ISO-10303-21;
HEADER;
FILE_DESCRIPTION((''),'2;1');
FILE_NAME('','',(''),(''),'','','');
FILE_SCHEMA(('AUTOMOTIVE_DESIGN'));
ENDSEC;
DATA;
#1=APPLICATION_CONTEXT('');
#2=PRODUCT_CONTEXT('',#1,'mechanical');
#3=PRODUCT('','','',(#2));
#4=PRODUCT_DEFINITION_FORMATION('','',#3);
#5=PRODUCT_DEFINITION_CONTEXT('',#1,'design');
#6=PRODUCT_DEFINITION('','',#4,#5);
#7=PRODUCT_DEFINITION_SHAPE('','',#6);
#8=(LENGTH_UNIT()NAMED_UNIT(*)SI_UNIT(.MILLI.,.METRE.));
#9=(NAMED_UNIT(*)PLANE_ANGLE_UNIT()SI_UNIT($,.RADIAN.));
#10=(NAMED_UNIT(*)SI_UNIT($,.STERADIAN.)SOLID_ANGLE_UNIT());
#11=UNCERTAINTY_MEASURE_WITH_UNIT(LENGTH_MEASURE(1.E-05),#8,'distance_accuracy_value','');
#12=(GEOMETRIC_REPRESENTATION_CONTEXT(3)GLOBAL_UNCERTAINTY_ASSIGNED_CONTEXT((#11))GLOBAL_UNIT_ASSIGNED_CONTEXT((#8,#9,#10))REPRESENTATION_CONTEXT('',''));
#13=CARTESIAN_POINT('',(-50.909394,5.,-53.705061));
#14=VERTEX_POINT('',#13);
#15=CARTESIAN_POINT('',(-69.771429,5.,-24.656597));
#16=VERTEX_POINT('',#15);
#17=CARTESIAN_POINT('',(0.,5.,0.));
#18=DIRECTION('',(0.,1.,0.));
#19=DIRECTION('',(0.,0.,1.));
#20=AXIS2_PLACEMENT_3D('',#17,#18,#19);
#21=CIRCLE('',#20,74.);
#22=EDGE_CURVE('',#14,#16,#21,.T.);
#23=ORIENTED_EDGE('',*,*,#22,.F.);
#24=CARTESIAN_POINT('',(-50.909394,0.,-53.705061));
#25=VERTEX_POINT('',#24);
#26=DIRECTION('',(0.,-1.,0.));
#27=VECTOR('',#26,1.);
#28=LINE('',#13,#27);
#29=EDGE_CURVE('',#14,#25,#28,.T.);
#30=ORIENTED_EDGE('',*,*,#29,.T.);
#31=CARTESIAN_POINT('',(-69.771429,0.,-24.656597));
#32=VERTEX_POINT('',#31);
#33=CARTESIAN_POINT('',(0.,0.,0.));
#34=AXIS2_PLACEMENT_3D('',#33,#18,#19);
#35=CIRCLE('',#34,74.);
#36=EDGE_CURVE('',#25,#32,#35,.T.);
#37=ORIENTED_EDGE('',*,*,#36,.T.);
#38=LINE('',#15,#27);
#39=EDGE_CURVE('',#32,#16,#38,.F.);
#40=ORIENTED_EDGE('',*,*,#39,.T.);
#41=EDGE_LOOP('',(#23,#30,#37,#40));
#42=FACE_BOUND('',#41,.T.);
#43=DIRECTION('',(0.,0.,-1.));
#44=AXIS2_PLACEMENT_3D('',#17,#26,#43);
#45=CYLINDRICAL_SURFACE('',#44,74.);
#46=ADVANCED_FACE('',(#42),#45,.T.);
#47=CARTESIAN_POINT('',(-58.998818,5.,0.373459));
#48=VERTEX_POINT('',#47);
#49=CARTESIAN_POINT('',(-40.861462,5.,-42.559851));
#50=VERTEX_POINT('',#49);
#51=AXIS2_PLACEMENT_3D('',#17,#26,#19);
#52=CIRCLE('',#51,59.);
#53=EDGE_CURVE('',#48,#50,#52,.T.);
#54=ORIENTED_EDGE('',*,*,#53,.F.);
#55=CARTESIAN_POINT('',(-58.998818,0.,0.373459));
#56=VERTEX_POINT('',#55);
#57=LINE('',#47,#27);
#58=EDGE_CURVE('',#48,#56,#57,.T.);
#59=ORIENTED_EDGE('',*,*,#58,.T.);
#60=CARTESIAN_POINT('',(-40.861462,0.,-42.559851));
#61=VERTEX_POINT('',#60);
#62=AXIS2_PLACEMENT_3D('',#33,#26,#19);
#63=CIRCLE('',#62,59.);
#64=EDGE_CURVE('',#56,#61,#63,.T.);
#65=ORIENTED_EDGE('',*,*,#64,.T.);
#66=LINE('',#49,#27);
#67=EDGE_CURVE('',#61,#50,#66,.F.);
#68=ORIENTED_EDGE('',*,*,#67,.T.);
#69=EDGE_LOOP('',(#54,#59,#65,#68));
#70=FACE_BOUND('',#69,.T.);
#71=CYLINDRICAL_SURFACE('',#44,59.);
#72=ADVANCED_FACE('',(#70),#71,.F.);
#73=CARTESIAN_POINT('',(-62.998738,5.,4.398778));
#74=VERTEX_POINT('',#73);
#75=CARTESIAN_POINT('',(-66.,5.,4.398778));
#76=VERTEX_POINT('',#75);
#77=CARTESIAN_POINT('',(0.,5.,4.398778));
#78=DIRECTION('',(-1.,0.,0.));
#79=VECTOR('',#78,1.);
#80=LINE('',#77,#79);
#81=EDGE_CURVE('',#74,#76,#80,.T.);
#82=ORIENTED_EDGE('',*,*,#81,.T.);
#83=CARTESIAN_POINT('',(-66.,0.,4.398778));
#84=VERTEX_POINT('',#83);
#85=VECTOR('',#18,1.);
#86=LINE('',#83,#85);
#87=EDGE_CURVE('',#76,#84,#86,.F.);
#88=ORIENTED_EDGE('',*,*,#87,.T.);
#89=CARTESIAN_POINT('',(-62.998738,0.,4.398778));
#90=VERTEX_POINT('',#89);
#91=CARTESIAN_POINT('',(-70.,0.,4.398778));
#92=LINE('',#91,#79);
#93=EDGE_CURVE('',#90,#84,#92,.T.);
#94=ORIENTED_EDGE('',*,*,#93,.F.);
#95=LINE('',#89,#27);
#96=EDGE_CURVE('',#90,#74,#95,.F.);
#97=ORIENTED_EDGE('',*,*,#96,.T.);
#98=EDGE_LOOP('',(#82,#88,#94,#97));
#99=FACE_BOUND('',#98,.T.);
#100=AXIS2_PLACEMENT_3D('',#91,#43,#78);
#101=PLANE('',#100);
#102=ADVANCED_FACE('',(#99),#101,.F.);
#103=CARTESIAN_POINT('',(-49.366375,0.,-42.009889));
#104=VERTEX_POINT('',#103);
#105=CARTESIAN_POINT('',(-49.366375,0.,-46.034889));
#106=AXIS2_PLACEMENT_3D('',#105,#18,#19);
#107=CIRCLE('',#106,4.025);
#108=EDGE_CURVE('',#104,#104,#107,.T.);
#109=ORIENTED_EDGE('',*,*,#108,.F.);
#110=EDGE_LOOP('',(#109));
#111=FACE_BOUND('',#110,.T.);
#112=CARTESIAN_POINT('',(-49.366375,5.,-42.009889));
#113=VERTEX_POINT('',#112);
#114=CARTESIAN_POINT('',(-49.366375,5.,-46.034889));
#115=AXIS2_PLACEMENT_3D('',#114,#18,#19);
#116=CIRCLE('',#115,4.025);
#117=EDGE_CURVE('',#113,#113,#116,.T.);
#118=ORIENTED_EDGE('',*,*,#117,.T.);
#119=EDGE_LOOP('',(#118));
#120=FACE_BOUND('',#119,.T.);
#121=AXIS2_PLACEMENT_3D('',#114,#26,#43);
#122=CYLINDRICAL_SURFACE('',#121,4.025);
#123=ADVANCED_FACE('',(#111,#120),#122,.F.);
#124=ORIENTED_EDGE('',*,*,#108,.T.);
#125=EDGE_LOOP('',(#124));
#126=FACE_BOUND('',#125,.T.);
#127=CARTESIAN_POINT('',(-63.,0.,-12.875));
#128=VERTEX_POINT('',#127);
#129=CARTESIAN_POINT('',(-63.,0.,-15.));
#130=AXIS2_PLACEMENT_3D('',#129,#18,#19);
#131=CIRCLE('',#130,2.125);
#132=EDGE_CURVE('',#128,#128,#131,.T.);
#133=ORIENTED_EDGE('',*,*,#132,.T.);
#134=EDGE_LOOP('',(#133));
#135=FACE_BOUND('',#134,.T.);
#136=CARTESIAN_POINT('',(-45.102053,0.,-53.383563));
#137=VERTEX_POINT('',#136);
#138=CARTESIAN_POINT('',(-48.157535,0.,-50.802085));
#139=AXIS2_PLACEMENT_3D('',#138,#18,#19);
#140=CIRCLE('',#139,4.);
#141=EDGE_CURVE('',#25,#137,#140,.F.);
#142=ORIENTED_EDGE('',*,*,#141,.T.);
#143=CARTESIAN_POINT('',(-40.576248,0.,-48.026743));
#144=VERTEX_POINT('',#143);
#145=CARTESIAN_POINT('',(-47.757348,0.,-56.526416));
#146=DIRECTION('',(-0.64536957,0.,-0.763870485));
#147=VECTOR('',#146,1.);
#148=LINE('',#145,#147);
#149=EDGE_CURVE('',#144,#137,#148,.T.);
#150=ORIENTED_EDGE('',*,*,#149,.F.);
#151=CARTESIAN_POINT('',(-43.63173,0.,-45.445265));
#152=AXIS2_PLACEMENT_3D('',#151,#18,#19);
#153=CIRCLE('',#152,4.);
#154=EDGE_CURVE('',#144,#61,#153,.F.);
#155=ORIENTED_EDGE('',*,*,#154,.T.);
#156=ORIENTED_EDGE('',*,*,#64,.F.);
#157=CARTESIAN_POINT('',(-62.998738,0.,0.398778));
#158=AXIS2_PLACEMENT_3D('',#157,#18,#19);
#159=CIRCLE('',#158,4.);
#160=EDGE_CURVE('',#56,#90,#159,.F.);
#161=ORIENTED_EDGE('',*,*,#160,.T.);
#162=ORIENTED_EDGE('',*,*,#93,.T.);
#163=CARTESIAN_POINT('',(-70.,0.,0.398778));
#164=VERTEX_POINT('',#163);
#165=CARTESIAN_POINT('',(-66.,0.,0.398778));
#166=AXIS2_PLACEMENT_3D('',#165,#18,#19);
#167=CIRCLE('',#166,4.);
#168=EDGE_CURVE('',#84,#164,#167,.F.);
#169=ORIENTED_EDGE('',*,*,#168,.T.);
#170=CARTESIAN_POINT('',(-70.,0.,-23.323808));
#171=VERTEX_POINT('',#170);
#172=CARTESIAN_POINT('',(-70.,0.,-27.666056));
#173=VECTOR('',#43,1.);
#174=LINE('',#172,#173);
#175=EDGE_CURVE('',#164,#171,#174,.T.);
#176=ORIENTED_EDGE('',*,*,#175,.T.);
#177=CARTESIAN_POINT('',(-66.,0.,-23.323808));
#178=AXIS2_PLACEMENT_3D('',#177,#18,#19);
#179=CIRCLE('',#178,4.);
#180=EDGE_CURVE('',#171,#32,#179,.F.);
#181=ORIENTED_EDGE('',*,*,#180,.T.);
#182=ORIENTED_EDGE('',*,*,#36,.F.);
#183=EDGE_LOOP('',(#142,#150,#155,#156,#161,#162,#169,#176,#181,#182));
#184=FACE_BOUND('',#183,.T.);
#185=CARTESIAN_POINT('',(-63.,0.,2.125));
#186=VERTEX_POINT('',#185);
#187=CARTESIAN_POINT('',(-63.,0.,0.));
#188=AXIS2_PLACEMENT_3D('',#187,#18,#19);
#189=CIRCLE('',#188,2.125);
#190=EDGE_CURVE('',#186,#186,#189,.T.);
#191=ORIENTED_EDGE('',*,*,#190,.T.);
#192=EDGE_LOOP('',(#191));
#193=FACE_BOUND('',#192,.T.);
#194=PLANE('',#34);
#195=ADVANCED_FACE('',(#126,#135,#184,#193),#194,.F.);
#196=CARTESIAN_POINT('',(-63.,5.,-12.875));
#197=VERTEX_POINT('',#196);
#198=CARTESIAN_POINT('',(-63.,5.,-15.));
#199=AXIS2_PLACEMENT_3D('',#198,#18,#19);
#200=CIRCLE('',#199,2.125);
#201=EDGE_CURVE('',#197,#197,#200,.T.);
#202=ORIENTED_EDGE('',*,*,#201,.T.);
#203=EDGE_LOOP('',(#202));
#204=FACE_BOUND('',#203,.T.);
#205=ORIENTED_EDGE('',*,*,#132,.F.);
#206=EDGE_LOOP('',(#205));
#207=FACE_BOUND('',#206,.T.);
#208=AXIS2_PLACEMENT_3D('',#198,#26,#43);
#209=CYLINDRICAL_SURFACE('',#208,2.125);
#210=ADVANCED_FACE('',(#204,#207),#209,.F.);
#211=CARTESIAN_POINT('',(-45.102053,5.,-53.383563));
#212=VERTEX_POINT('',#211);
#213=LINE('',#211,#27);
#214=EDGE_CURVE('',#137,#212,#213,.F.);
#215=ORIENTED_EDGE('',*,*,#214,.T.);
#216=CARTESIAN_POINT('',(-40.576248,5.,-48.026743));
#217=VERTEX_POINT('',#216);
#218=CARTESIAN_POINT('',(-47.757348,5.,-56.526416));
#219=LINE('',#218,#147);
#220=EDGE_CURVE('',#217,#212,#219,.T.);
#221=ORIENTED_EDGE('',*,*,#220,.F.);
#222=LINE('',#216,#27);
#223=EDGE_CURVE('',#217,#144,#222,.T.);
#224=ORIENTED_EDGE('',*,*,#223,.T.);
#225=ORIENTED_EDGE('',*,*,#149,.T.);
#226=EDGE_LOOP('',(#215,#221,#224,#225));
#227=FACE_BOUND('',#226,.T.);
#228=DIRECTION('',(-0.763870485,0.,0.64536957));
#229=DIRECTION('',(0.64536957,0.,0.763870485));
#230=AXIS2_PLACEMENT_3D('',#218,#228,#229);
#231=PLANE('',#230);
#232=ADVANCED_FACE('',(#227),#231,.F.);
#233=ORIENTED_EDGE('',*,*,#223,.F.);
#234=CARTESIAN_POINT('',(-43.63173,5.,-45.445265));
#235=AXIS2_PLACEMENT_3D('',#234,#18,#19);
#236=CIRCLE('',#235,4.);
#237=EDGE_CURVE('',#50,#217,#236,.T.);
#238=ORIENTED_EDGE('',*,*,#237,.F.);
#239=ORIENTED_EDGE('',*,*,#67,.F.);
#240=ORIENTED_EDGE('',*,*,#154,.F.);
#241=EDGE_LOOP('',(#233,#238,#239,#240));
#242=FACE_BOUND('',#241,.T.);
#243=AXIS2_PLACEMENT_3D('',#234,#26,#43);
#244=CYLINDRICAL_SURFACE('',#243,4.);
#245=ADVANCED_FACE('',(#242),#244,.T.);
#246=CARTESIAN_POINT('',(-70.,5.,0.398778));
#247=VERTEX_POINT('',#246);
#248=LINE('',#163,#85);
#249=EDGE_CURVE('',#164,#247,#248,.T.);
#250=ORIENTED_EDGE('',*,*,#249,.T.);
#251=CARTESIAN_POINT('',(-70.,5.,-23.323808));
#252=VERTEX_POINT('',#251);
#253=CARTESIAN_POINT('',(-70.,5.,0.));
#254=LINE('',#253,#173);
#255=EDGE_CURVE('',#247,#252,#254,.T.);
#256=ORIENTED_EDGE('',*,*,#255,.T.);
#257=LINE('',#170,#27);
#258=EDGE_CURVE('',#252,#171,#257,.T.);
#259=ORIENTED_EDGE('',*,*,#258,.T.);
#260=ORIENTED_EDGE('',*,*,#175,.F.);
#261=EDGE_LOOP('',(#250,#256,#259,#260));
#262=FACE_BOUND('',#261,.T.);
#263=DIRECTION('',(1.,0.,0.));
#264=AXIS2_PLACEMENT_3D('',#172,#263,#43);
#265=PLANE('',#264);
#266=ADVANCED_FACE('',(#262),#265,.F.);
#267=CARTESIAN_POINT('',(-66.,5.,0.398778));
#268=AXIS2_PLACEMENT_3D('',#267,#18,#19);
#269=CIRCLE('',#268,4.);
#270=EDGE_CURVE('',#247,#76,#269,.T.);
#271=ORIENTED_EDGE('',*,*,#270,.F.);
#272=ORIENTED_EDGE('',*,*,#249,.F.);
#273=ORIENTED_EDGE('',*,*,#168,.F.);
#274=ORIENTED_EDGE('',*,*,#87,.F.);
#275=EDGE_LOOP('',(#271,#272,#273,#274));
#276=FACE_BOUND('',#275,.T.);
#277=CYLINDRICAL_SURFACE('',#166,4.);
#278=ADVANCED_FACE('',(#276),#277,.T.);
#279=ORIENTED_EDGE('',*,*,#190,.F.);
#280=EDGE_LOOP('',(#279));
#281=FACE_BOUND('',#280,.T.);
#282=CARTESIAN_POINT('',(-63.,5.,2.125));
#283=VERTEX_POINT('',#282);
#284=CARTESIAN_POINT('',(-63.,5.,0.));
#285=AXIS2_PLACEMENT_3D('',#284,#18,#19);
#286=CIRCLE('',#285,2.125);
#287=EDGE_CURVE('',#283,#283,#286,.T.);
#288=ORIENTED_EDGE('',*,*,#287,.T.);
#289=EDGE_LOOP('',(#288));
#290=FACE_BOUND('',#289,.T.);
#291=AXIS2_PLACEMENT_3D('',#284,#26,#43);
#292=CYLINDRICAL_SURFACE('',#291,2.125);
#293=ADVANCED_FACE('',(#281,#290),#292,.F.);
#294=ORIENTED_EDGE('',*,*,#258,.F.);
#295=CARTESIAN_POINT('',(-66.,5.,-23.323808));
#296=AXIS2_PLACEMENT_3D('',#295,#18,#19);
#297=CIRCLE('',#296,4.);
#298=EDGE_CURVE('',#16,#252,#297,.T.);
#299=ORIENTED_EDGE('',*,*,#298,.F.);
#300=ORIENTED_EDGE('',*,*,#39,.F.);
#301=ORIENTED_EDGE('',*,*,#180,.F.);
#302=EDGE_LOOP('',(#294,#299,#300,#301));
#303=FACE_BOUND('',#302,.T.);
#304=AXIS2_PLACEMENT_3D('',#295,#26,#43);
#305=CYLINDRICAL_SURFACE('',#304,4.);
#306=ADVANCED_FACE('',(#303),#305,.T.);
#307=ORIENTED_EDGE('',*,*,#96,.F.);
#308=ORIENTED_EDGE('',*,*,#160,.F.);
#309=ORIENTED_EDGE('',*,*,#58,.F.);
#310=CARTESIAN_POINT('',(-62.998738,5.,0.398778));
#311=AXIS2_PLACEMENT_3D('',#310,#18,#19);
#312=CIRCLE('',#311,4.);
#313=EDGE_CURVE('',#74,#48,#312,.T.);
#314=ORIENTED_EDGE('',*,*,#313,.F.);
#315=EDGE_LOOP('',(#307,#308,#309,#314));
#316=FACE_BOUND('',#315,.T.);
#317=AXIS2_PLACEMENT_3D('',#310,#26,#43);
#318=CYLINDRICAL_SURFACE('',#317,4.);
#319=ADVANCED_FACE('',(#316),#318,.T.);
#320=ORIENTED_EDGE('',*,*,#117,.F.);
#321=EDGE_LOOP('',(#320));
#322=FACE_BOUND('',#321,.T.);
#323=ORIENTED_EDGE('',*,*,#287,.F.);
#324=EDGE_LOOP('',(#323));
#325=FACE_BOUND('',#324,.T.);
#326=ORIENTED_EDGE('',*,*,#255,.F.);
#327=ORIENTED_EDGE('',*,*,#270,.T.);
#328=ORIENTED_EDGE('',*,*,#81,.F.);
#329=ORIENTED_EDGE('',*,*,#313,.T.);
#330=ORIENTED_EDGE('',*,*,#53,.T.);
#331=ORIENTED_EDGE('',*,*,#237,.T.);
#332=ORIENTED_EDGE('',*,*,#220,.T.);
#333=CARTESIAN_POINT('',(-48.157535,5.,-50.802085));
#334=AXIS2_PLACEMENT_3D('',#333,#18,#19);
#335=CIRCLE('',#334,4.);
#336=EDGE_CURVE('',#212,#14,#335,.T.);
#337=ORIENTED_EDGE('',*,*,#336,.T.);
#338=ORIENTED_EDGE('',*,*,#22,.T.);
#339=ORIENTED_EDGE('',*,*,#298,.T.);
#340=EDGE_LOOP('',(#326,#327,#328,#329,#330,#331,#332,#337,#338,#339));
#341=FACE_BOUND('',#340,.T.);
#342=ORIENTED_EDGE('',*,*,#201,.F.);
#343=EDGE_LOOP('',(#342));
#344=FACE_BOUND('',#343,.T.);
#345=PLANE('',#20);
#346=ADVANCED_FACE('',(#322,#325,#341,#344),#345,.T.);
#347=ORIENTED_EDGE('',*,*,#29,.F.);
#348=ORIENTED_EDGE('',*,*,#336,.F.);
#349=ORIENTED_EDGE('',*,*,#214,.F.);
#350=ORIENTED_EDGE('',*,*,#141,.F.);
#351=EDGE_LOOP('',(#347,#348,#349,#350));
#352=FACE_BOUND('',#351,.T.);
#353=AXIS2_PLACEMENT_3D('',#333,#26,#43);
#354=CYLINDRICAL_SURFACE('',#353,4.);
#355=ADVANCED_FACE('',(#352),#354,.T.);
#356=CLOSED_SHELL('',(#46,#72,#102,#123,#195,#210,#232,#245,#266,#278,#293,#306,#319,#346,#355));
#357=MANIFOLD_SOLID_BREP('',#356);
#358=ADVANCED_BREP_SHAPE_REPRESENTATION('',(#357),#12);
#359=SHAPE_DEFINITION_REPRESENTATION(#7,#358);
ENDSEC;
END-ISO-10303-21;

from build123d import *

# Parameters (mm, degrees)
SKETCH1_R               = 4.025
SKETCH1_R_2             = 2.125
BOSS_EXTRUDE1_DEPTH     = 5
SKETCH2_W               = 28.904595792
SKETCH2_H               = 55.332112
CUT_EXTRUDE1_DEPTH      = 1
CUT_EXTRUDE1_DEPTH_BACK = 6
SKETCH3_W               = 24.207106467
SKETCH3_H               = 21.100530829
CUT_EXTRUDE2_DEPTH      = 1
CUT_EXTRUDE2_DEPTH_BACK = 6
FILLET1_R               = 4


with BuildPart() as part:
    # Sketch1 → Boss-Extrude1 (new body)
    with BuildSketch(Plane(origin=(0, 0, 0), x_dir=(1, 0, 0), z_dir=(0, 1, 0))):
        with BuildLine():
            Line((-47.75734818, 56.526415903), (-38.07680463, 45.068358625))
            ThreePointArc((-38.07680463, 45.068358625), (-56.716415256, 16.255714087), (-56.169167779, -18.056151058))
            Line((-56.169167779, -18.056151058), (-70.449464672, -22.646697938))
            ThreePointArc((-70.449464672, -22.646697938), (-71.135842864, 20.388522754), (-47.75734818, 56.526415903))
        make_face()
        with Locations((-49.366374859, 46.034889304)):
            Circle(SKETCH1_R, mode=Mode.SUBTRACT)
        with Locations((-63, 0)):
            Circle(SKETCH1_R_2, mode=Mode.SUBTRACT)
        with Locations((-63, -15)):
            Circle(SKETCH1_R_2, mode=Mode.SUBTRACT)
        with Locations((-63, 15)):
            Circle(SKETCH1_R_2, mode=Mode.SUBTRACT)
    extrude(amount=BOSS_EXTRUDE1_DEPTH)

    # Sketch2 → Cut-Extrude1 (cut, two sides)
    with BuildSketch(Plane(origin=(0, 5, 0), x_dir=(1, 0, 0), z_dir=(0, 1, 0))) as cut_extrude1_sk:
        with Locations((-84.452297896, 0)):
            Rectangle(SKETCH2_W, SKETCH2_H)
    extrude(amount=CUT_EXTRUDE1_DEPTH, mode=Mode.SUBTRACT)
    extrude(cut_extrude1_sk.sketch, amount=-CUT_EXTRUDE1_DEPTH_BACK, mode=Mode.SUBTRACT)

    # Sketch3 → Cut-Extrude2 (cut, two sides)
    with BuildSketch(Plane(origin=(0, 5, 0), x_dir=(1, 0, 0), z_dir=(0, 1, 0))) as cut_extrude2_sk:
        with Locations((-57.896446767, -14.949043558)):
            Rectangle(SKETCH3_W, SKETCH3_H)
    extrude(amount=CUT_EXTRUDE2_DEPTH, mode=Mode.SUBTRACT)
    extrude(cut_extrude2_sk.sketch, amount=-CUT_EXTRUDE2_DEPTH_BACK, mode=Mode.SUBTRACT)

    # Fillet1
    fillet1_edges = [part.edges().sort_by_distance(p)[0] for p in [
        (-70, 2.5, -24),
        (-58.835794809, 2.5, 4.398778143),
        (-70, 2.5, 4.398778143),
        (-47.75734818, 2.5, -56.526415903),
        (-38.07680463, 2.5, -45.068358625),
    ]]
    fillet(fillet1_edges, radius=FILLET1_R)


solid = part.part
